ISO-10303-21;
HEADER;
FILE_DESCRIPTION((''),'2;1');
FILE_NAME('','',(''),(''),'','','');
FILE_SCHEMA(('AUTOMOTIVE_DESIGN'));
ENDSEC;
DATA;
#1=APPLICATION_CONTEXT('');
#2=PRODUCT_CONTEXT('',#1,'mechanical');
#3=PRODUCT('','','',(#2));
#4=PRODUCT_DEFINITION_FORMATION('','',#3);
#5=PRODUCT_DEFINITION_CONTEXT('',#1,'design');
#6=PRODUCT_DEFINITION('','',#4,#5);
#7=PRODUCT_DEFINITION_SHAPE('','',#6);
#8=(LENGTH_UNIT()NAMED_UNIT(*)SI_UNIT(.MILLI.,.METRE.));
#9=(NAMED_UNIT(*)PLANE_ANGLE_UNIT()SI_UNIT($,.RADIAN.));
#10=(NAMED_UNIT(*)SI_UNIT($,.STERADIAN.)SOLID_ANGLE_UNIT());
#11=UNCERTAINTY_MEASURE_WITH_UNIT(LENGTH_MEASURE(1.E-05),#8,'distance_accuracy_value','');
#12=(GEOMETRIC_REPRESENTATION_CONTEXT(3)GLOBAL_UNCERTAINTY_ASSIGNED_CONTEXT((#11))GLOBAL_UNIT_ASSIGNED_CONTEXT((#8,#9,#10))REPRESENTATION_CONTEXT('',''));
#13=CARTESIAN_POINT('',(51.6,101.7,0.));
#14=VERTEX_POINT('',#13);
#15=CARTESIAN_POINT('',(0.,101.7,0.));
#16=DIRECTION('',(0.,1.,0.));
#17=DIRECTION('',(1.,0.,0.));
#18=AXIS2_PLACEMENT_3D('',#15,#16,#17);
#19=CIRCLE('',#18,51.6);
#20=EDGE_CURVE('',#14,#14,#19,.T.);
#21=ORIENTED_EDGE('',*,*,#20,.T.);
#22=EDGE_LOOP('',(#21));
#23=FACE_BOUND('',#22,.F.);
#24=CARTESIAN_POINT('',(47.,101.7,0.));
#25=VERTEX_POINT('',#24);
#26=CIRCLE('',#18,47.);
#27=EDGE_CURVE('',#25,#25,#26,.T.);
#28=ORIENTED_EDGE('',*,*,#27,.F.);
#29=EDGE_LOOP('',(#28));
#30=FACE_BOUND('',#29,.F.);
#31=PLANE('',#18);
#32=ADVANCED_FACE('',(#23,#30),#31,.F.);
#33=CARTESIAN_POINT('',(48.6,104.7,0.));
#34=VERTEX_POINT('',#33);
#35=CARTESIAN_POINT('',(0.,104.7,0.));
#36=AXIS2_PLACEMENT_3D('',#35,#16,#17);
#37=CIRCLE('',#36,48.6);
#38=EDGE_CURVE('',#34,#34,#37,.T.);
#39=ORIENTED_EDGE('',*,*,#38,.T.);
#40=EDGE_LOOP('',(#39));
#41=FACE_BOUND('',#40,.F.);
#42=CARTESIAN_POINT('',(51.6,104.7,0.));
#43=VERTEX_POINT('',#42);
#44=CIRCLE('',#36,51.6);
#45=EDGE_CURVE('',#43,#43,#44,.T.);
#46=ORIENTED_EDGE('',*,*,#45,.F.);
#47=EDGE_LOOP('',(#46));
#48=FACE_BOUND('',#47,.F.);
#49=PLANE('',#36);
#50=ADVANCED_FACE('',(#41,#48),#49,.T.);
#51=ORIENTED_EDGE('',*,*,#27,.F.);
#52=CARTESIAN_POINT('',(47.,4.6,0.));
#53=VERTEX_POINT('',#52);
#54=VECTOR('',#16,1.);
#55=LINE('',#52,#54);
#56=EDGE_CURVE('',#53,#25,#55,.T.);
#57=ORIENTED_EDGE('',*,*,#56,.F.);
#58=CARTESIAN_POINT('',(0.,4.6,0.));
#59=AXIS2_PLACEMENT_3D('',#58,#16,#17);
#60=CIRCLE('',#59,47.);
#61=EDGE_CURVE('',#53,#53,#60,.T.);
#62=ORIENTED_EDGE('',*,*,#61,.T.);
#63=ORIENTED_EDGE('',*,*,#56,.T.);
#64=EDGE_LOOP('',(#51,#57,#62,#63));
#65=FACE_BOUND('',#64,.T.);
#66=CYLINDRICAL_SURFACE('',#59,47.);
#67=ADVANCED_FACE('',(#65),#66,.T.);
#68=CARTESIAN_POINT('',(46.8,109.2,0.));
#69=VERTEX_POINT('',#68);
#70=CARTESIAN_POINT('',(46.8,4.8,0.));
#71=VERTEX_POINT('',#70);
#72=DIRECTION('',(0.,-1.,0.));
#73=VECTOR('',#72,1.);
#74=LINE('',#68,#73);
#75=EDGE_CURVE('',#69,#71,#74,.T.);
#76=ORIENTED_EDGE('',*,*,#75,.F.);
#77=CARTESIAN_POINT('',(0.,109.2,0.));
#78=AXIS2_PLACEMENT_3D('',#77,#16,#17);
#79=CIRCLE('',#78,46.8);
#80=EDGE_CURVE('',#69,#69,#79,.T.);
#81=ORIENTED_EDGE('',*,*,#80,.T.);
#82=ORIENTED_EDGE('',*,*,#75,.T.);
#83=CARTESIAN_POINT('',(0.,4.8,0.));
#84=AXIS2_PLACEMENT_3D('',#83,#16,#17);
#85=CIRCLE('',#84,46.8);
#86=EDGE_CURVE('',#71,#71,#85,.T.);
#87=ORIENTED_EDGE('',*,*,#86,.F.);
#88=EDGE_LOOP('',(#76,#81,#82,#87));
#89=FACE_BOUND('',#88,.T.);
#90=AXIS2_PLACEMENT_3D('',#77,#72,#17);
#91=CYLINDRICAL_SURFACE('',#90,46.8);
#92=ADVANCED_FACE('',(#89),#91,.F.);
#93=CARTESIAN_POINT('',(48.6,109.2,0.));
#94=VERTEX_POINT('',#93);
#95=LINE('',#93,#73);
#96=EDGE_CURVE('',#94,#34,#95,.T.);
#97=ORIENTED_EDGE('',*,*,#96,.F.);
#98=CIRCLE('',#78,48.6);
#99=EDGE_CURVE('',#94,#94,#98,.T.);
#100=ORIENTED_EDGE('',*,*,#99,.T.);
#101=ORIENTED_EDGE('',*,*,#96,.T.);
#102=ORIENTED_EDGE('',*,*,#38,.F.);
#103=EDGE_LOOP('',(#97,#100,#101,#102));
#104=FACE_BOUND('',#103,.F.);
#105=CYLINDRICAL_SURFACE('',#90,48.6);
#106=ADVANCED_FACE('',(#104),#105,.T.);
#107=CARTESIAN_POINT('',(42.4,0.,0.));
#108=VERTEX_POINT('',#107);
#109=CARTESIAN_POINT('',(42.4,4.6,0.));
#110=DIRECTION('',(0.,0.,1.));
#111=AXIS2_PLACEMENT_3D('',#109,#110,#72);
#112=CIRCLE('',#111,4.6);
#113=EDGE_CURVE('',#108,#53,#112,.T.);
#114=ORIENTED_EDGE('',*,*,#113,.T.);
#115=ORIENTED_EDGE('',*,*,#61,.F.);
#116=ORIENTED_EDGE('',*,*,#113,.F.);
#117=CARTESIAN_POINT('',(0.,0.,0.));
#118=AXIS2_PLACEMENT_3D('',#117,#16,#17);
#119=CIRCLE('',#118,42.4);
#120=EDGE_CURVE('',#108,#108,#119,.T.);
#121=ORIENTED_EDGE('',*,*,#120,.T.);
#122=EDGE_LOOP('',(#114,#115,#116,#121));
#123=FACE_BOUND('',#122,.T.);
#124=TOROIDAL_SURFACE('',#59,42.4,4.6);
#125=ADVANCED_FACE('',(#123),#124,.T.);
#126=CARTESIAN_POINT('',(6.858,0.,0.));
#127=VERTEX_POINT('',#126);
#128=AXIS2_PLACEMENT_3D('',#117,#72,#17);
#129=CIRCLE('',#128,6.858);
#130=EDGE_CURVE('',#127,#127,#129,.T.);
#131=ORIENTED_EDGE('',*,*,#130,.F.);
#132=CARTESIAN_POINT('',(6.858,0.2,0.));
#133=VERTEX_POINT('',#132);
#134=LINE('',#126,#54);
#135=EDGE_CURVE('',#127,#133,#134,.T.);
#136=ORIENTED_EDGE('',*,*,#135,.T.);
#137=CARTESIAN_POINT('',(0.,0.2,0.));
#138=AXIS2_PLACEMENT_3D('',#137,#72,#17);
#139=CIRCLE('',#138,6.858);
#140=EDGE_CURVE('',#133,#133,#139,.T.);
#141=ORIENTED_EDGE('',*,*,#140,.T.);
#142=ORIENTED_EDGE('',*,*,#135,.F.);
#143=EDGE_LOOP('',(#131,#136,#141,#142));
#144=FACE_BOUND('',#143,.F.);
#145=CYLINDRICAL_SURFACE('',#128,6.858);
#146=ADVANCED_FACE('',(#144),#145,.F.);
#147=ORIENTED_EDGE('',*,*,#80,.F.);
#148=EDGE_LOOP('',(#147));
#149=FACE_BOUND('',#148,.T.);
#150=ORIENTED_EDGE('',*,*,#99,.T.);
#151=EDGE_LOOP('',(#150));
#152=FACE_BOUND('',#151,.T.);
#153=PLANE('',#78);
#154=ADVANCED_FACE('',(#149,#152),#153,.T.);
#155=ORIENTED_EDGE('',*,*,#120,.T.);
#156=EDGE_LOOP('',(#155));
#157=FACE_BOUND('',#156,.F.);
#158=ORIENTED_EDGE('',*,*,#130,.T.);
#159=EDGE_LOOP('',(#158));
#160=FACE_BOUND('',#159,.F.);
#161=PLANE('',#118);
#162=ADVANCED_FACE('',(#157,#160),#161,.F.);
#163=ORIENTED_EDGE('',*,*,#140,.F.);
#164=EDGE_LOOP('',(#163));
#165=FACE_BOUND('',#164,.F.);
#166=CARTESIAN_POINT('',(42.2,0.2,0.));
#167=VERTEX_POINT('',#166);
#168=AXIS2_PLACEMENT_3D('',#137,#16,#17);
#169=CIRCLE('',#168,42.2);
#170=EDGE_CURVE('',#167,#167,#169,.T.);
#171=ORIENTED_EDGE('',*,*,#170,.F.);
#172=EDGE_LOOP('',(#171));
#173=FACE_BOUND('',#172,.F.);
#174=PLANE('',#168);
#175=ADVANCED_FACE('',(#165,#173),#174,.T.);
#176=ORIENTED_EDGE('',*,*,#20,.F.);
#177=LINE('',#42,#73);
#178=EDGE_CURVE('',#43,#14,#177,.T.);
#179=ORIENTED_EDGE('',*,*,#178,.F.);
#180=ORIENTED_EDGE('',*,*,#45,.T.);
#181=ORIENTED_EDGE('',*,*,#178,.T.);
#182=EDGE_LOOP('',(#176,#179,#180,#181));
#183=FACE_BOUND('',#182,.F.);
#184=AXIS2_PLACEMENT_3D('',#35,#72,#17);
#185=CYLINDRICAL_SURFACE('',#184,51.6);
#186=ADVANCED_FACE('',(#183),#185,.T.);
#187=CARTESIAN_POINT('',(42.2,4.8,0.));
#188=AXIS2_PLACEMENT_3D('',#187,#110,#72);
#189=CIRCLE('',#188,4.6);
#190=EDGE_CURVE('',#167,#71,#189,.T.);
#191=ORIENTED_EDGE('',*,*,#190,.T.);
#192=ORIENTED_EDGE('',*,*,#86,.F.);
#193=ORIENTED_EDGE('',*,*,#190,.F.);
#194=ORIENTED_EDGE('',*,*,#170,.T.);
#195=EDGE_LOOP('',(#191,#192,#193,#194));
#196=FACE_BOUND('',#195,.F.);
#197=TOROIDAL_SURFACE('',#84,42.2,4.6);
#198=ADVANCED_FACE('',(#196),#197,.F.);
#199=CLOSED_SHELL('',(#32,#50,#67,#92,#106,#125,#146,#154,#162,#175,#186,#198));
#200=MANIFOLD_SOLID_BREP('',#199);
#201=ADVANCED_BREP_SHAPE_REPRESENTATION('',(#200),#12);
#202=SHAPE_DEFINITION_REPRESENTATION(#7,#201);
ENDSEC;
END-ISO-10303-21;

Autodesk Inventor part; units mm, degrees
ref_plane "YZ Plane" through (0, 0, 0) normal (1, 0, 0) x (0, 1, 0)
ref_plane "XZ Plane" through (0, 0, 0) normal (0, 1, 0) x (-1, 0, 0)
ref_plane "XY Plane" through (0, 0, 0) normal (0, 0, 1) x (1, 0, 0)
sketch "Sketch1" plane through (0, 0, 0) normal (0, 0, 1) x (1, 0, 0)
  line L0 (46.8, 0) -> (47, 0)
  line L1 (47, 4.6) -> (47, 101.7)
  line L2 (47, 109.2) -> (46.8, 109.2)
  line L3 (46.8, 109.2) -> (46.8, 4.8)
  line L4 (46.8, 109.2) -> (48.6, 109.2)
  line L5 (48.6, 109.2) -> (48.6, 104.7)
  line L6 (48.6, 104.7) -> (51.6, 104.7)
  line L7 (51.6, 104.7) -> (51.6, 101.7)
  line L8 (51.6, 101.7) -> (48.6, 101.7)
  line L9 (48.6, 101.7) -> (47, 101.7)
  line L10 (0, 0) -> (0, 20.8136)
  line L11 (42.4, 0) -> (-0.2292, 0)
  line L12 (0, 0) -> (0, 0.2)
  line L13 (0, 0.2) -> (42.2, 0.2)
  arc A0 (42.2, 0.2) -> (46.8, 4.8) centre (42.2, 4.8) ccw
  arc A1 (42.4, 0) -> (47, 4.6) centre (42.4, 4.6) ccw
  dimension "d1" = 0.2
  dimension "d2" = 109.2
  dimension "d3" = 1.8
  dimension "d4" = 4.5
  dimension "d5" = 3
  dimension "d6" = 3
  dimension "d7" = 0.2
  dimension "d8" = 90
  dimension "d9" = 4.6
revolve "Revolution1" add sketch "Sketch1" angle 360 about axis through (0, 0, 0) along (0, 1, 0)
sketch "Sketch2" plane through (0, 0, 0) normal (0, -1, 0) x (1, 0, 0)
  circle A0 centre (0, 0) radius 6.858
  dimension "d11" = 13.716
extrude "Extrusion1" cut sketch "Sketch2" against normal blind 1
properties part number "ContenedorTest"
